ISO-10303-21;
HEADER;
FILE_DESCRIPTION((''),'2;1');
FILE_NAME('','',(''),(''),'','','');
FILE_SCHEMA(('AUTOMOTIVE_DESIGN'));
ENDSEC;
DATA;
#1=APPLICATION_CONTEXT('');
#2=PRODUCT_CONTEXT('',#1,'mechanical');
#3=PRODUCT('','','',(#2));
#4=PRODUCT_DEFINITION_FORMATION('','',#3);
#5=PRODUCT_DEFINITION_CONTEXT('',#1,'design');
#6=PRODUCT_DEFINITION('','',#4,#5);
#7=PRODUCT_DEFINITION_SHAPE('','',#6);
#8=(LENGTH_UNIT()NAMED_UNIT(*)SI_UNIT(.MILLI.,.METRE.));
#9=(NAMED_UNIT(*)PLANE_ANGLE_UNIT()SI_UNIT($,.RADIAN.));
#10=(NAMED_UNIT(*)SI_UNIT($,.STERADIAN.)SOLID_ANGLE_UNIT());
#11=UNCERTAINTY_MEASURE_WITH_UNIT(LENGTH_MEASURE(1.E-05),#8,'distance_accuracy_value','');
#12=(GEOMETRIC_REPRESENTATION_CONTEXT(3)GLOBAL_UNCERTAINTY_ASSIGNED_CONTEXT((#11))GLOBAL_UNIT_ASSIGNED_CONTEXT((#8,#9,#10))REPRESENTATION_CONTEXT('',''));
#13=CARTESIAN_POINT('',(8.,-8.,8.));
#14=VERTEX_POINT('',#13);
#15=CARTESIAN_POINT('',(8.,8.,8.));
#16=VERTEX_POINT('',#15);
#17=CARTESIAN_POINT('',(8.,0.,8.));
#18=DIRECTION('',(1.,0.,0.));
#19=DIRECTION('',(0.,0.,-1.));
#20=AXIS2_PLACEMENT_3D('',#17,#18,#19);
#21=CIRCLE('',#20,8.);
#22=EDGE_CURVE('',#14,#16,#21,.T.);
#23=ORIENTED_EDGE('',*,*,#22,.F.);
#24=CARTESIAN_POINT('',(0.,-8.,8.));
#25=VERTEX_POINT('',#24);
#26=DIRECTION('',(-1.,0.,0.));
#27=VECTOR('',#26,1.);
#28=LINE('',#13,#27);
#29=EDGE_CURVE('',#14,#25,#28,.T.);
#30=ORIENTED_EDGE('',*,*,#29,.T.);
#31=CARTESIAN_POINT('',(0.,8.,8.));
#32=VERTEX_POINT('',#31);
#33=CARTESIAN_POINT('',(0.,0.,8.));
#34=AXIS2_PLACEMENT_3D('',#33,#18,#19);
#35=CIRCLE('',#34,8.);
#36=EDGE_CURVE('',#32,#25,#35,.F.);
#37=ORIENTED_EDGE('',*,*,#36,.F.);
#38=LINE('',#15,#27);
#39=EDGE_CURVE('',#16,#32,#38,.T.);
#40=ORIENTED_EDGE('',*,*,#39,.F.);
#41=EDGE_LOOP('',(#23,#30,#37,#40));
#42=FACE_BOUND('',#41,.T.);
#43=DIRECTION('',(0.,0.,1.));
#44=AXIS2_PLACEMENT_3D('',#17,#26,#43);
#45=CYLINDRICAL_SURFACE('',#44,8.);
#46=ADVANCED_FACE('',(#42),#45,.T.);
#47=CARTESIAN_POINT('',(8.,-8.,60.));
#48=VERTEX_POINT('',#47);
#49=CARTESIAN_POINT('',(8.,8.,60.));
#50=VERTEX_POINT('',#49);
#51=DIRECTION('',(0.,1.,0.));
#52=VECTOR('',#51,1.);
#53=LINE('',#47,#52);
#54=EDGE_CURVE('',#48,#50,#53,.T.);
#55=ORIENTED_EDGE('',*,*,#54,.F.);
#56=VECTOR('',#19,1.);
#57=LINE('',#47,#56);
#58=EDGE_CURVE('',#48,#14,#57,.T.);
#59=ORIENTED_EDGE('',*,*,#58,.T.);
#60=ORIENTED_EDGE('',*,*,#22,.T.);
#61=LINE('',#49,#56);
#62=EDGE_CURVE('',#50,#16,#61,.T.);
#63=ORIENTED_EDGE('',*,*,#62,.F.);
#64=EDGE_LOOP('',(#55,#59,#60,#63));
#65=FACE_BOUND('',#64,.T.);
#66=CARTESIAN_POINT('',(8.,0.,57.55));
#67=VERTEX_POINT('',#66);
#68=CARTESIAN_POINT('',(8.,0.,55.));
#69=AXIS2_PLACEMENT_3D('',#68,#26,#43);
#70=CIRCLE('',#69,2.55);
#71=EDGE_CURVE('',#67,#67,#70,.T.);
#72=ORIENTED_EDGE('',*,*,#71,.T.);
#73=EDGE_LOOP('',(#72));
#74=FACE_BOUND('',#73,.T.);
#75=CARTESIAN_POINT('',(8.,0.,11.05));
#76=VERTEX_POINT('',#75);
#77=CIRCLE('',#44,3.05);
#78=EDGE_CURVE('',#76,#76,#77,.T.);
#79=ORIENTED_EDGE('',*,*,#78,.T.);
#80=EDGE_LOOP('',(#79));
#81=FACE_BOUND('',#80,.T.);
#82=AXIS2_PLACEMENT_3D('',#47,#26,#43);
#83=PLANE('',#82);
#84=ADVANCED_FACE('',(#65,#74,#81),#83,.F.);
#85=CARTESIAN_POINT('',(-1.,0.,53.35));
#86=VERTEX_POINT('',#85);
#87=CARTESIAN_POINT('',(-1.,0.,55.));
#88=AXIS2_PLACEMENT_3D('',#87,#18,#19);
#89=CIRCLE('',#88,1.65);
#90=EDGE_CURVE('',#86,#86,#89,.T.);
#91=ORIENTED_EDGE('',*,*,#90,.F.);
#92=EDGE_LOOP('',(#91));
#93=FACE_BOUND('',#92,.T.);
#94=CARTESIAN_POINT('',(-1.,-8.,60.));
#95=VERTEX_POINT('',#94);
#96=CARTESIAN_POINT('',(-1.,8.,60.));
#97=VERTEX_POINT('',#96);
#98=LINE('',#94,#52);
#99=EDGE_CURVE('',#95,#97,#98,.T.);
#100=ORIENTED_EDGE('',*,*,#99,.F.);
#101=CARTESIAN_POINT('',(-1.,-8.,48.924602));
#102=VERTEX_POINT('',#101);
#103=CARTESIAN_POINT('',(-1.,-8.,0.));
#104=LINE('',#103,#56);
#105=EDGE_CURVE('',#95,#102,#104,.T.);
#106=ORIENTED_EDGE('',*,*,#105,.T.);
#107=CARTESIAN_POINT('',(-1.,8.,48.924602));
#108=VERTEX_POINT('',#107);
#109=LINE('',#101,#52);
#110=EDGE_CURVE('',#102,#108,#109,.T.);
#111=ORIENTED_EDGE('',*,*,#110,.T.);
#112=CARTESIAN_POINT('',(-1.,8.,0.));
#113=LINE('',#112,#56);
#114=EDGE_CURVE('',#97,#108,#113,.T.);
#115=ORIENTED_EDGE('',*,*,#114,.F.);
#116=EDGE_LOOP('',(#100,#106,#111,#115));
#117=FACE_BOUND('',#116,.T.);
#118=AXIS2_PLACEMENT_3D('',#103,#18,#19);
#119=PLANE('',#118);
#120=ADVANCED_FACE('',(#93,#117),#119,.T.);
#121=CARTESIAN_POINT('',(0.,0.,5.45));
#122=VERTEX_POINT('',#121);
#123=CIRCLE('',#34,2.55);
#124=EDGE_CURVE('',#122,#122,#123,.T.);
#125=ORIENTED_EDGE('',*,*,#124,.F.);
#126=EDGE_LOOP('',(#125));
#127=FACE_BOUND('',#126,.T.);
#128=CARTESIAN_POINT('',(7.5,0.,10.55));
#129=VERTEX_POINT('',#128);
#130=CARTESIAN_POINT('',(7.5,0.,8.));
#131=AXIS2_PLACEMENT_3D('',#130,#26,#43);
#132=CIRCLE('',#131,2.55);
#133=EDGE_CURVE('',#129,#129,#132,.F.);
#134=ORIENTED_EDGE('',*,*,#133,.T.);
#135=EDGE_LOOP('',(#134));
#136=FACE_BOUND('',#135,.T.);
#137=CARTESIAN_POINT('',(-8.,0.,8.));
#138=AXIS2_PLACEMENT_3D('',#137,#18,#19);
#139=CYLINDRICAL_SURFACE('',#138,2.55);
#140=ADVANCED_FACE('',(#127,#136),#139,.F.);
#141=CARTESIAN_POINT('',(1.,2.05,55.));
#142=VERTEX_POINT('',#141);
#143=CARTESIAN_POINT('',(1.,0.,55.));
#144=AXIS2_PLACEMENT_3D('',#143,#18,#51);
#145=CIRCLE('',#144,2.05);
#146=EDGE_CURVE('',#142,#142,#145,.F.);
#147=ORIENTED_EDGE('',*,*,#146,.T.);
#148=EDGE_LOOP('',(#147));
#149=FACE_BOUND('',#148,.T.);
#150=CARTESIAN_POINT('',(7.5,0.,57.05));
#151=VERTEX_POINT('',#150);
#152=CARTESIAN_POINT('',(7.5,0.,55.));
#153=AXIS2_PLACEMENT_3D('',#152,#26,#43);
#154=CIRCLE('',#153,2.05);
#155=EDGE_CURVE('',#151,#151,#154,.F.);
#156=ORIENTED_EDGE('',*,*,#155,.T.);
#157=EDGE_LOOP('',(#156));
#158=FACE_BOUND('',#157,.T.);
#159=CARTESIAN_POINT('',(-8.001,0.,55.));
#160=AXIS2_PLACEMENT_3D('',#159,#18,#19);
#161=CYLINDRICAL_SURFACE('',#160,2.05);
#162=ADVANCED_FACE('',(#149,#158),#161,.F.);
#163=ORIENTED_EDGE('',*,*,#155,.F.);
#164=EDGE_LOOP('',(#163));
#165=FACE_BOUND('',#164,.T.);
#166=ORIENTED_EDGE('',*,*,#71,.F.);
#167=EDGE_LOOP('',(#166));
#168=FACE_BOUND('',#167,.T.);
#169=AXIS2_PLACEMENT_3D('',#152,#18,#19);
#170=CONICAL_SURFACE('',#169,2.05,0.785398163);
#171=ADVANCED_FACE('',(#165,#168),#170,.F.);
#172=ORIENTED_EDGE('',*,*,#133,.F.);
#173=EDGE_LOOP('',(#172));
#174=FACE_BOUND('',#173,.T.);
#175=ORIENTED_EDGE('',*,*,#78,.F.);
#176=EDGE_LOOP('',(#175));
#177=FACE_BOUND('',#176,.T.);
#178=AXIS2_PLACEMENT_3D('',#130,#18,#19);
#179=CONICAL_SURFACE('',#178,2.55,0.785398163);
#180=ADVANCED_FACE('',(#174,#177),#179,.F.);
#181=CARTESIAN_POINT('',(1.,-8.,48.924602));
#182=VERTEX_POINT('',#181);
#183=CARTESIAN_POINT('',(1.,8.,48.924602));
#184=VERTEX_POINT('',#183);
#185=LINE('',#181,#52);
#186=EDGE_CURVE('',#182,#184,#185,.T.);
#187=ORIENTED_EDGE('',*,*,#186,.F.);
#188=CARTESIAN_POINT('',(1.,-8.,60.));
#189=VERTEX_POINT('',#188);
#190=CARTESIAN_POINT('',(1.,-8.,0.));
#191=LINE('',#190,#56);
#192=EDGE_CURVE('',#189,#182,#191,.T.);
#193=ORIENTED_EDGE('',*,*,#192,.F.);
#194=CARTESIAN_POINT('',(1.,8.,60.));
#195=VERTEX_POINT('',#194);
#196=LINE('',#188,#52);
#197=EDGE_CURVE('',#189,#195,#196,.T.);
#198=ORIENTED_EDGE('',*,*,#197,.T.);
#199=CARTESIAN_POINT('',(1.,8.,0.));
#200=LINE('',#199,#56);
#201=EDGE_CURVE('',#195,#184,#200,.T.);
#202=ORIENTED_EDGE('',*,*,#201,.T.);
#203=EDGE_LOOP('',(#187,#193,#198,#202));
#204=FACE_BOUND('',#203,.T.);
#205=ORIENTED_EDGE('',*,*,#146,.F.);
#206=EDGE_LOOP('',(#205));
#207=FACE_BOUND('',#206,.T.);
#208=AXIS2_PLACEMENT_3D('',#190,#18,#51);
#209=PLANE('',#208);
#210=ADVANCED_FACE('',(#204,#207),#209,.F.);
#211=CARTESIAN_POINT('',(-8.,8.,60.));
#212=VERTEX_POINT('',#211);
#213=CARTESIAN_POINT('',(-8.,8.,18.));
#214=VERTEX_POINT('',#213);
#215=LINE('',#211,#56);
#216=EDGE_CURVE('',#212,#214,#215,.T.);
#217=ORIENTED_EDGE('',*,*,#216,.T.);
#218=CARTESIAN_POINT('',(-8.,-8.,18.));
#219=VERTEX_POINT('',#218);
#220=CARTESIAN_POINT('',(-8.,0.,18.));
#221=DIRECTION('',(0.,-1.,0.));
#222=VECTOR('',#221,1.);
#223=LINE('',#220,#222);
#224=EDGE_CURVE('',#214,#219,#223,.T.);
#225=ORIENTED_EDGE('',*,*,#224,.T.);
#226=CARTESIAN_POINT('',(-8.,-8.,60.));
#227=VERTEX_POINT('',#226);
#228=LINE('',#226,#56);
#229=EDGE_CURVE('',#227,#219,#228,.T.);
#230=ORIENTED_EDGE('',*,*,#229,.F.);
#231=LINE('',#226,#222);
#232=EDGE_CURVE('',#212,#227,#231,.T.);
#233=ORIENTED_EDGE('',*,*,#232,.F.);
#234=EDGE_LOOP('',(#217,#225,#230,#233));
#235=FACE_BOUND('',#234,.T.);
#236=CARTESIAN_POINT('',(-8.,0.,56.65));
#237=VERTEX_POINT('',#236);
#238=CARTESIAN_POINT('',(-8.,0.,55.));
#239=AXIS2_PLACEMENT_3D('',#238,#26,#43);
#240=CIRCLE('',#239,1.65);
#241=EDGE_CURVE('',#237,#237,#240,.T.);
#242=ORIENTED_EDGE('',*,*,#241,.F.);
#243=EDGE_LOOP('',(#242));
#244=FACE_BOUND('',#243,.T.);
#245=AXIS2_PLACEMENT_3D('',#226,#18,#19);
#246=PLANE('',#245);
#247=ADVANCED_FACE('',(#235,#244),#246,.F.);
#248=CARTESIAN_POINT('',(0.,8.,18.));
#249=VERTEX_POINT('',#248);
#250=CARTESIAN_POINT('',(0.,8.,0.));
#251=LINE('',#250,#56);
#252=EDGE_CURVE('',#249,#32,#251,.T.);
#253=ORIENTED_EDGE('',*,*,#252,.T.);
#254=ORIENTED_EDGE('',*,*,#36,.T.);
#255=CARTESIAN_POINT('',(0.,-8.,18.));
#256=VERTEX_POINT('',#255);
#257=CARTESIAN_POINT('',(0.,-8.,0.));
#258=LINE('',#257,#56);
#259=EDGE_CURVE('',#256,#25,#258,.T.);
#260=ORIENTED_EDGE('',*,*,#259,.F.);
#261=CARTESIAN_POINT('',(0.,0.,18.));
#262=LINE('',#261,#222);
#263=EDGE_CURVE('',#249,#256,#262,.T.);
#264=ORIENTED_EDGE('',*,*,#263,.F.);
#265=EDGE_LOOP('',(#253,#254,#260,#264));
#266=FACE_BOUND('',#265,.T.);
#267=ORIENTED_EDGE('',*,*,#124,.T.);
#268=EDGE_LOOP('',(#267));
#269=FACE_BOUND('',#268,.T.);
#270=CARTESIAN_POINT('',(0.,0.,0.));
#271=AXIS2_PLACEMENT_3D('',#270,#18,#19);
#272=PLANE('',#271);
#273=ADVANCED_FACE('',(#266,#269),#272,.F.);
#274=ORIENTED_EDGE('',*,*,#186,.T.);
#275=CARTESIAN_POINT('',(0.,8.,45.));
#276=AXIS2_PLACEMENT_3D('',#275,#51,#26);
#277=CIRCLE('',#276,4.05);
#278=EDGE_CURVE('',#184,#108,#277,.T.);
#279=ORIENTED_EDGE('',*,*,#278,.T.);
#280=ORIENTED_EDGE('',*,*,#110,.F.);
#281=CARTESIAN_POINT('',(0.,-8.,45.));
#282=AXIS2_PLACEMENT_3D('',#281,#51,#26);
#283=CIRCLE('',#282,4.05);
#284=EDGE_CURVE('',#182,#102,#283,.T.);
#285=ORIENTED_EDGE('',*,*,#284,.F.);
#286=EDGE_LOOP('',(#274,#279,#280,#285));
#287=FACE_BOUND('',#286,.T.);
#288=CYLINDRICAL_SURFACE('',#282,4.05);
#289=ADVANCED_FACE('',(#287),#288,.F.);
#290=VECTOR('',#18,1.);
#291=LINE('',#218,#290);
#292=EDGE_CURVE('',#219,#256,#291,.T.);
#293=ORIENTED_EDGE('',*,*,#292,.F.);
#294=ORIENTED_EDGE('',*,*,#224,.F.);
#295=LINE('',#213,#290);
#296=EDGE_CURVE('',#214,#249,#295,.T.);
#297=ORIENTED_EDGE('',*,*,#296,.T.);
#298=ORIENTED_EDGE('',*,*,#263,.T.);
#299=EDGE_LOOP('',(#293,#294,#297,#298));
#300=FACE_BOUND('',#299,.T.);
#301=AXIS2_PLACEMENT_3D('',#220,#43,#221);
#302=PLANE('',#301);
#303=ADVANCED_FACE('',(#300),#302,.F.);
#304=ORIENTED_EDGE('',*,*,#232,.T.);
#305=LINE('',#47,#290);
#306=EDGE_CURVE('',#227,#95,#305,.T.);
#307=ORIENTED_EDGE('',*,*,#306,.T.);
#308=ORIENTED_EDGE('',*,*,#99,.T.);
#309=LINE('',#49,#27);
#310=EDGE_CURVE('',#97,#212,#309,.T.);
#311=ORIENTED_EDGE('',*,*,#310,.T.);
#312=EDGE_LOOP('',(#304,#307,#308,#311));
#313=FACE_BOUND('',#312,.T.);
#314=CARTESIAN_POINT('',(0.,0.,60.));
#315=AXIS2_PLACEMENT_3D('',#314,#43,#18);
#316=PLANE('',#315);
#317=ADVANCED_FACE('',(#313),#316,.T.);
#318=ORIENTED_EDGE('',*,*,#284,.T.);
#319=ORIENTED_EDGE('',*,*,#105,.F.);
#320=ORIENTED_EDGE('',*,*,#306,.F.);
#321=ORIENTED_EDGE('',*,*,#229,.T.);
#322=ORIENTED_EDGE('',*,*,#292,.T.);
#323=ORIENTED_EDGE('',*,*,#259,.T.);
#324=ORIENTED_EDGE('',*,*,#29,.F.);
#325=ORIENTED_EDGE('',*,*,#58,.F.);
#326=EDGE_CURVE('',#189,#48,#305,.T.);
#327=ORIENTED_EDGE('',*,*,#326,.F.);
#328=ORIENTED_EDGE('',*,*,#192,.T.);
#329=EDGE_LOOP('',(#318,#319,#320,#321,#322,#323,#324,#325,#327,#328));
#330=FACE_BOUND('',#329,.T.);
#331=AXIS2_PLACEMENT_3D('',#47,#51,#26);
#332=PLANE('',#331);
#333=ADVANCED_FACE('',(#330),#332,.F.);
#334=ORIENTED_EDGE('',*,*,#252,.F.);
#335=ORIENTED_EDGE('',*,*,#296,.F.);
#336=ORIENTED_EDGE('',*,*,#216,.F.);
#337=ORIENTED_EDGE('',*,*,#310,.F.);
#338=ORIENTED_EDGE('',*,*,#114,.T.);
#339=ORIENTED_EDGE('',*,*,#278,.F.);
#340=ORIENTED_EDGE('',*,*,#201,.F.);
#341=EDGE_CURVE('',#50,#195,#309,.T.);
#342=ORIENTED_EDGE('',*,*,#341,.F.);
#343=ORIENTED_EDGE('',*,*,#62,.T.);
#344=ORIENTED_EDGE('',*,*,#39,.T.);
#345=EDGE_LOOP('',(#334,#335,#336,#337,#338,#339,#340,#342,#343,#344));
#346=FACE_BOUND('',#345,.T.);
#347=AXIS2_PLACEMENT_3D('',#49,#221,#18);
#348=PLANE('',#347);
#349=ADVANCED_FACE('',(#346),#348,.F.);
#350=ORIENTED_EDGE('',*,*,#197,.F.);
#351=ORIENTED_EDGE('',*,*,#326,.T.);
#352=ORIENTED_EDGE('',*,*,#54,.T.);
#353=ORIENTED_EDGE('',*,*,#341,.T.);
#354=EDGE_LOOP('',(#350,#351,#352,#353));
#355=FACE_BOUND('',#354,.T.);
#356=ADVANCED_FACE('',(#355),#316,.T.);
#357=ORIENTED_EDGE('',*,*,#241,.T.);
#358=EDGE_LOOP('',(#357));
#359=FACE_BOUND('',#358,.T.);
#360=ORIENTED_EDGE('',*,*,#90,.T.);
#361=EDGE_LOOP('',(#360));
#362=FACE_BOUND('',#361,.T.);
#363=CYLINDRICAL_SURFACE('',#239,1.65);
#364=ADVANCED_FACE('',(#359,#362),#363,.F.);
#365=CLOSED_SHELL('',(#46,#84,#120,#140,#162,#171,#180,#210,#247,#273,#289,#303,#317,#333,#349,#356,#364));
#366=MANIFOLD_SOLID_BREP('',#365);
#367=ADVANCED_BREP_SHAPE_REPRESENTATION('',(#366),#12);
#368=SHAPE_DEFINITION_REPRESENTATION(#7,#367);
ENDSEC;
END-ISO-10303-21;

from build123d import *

# Parameters (mm, degrees)
SKETCH1_W                                   = 16
SKETCH1_H                                   = 16
BASE_DEPTH                                  = 60
INDICATORHOLE_DEPTH                         = 63.60990337
INDICATORMOUNT_REACH                        = 64.61
SKETCH3_R                                   = 2.05
CHAMFERINDICATORMOUNT_SIZE                  = 0.5
M4X0_7_TAPPED_HOLE_FOR_INDICATORSCREW_D     = 3.3
M4X0_7_TAPPED_HOLE_FOR_INDICATORSCREW_DEPTH = 7.908579979
M4X0_7_TAPPED_HOLE_FOR_INDICATORSCREW_TIP   = 0.991420021
SKETCH6_W                                   = 19.86895154
SKETCH6_H                                   = 16
SLOTFORANOTHERPART_DEPTH                    = 62.05735009
CHAMFERFORSLOT_DEPTH                        = 62.05735009
SKETCH7_R                                   = 2.55
SCREWHOLEFORSLOT_DEPTH                      = 63.60990337
CHAMFERFORSCREWSLOT_SIZE                    = 0.5


with BuildPart() as part:
    # Sketch1 → Base (new body)
    with BuildSketch(Plane.XY):
        Rectangle(SKETCH1_W, SKETCH1_H)
    extrude(amount=BASE_DEPTH)

    # Sketch2 → IndicatorHole (cut, through all)
    with BuildSketch(Plane(origin=(0, 8, 0), x_dir=(1, 0, 0), z_dir=(0, 1, 0))):
        with BuildLine():
            Line((-1, -48.924601891), (-1, -60))
            Line((-1, -60), (1, -60))
            Line((1, -60), (1, -48.924601891))
            ThreePointArc((1, -48.924601891), (0, -40.95), (-1, -48.924601891))
        make_face()
    extrude(amount=-INDICATORHOLE_DEPTH, mode=Mode.SUBTRACT)

    # Sketch3 → IndicatorMount (cut, up to next)
    with BuildSketch(Plane(origin=(8, 0, 0), x_dir=(0, 0, -1), z_dir=(1, 0, 0)), mode=Mode.PRIVATE) as indicatormount_sk1:
        with Locations((-55, 0)):
            Circle(SKETCH3_R)
    indicatormount_tool1 = extrude(indicatormount_sk1.sketch, amount=-INDICATORMOUNT_REACH, mode=Mode.PRIVATE) & part.part
    add(indicatormount_tool1.solids().sort_by_distance((8, 0, 55))[0], mode=Mode.SUBTRACT)

    # ChamferIndicatorMount
    chamferindicatormount_edges = [part.edges().sort_by_distance(p)[0] for p in [
        (8, 0, 57.05),
    ]]
    chamfer(chamferindicatormount_edges, length=CHAMFERINDICATORMOUNT_SIZE)

    # M4x0.7 Tapped Hole for IndicatorScrew
    with Locations(Plane.ZY.offset(8)):
        with Locations((55, 0)):
            Hole(M4X0_7_TAPPED_HOLE_FOR_INDICATORSCREW_D / 2, depth=M4X0_7_TAPPED_HOLE_FOR_INDICATORSCREW_DEPTH)
            with Locations((0, 0, -(M4X0_7_TAPPED_HOLE_FOR_INDICATORSCREW_DEPTH + M4X0_7_TAPPED_HOLE_FOR_INDICATORSCREW_TIP / 2))):  # 118° drill point
                Cone(0, M4X0_7_TAPPED_HOLE_FOR_INDICATORSCREW_D / 2, M4X0_7_TAPPED_HOLE_FOR_INDICATORSCREW_TIP, mode=Mode.SUBTRACT)

    # Sketch6 → SlotForAnotherPart (cut, through all)
    with BuildSketch(Plane(origin=(0, 0, 0), x_dir=(0, 0, -1), z_dir=(1, 0, 0))):
        with Locations((-8.06552423, 0)):
            Rectangle(SKETCH6_W, SKETCH6_H)
    extrude(amount=-SLOTFORANOTHERPART_DEPTH, mode=Mode.SUBTRACT)

    # Sketch6<3> → ChamferForSlot (cut, through all)
    with BuildSketch(Plane(origin=(0, 0, 0), x_dir=(0, 0, -1), z_dir=(1, 0, 0))):
        with BuildLine():
            Line((1.86895154, 8), (-8, 8))
            ThreePointArc((-8, 8), (-2.343145751, 5.656854249), (0, 0))
            ThreePointArc((0, 0), (-2.343145751, -5.656854249), (-8, -8))
            Line((-8, -8), (1.86895154, -8))
            Line((1.86895154, -8), (1.86895154, 8))
        make_face()
    extrude(amount=CHAMFERFORSLOT_DEPTH, mode=Mode.SUBTRACT)

    # Sketch7 → ScrewHoleForSlot (cut, through all)
    with BuildSketch(Plane(origin=(8, 0, 0), x_dir=(0, 0, -1), z_dir=(1, 0, 0))):
        with Locations((-8, 0)):
            Circle(SKETCH7_R)
    extrude(amount=-SCREWHOLEFORSLOT_DEPTH, mode=Mode.SUBTRACT)

    # ChamferForScrewSlot
    chamferforscrewslot_edges = [part.edges().sort_by_distance(p)[0] for p in [
        (8, 0, 10.55),
    ]]
    chamfer(chamferforscrewslot_edges, length=CHAMFERFORSCREWSLOT_SIZE)


solid = part.part
